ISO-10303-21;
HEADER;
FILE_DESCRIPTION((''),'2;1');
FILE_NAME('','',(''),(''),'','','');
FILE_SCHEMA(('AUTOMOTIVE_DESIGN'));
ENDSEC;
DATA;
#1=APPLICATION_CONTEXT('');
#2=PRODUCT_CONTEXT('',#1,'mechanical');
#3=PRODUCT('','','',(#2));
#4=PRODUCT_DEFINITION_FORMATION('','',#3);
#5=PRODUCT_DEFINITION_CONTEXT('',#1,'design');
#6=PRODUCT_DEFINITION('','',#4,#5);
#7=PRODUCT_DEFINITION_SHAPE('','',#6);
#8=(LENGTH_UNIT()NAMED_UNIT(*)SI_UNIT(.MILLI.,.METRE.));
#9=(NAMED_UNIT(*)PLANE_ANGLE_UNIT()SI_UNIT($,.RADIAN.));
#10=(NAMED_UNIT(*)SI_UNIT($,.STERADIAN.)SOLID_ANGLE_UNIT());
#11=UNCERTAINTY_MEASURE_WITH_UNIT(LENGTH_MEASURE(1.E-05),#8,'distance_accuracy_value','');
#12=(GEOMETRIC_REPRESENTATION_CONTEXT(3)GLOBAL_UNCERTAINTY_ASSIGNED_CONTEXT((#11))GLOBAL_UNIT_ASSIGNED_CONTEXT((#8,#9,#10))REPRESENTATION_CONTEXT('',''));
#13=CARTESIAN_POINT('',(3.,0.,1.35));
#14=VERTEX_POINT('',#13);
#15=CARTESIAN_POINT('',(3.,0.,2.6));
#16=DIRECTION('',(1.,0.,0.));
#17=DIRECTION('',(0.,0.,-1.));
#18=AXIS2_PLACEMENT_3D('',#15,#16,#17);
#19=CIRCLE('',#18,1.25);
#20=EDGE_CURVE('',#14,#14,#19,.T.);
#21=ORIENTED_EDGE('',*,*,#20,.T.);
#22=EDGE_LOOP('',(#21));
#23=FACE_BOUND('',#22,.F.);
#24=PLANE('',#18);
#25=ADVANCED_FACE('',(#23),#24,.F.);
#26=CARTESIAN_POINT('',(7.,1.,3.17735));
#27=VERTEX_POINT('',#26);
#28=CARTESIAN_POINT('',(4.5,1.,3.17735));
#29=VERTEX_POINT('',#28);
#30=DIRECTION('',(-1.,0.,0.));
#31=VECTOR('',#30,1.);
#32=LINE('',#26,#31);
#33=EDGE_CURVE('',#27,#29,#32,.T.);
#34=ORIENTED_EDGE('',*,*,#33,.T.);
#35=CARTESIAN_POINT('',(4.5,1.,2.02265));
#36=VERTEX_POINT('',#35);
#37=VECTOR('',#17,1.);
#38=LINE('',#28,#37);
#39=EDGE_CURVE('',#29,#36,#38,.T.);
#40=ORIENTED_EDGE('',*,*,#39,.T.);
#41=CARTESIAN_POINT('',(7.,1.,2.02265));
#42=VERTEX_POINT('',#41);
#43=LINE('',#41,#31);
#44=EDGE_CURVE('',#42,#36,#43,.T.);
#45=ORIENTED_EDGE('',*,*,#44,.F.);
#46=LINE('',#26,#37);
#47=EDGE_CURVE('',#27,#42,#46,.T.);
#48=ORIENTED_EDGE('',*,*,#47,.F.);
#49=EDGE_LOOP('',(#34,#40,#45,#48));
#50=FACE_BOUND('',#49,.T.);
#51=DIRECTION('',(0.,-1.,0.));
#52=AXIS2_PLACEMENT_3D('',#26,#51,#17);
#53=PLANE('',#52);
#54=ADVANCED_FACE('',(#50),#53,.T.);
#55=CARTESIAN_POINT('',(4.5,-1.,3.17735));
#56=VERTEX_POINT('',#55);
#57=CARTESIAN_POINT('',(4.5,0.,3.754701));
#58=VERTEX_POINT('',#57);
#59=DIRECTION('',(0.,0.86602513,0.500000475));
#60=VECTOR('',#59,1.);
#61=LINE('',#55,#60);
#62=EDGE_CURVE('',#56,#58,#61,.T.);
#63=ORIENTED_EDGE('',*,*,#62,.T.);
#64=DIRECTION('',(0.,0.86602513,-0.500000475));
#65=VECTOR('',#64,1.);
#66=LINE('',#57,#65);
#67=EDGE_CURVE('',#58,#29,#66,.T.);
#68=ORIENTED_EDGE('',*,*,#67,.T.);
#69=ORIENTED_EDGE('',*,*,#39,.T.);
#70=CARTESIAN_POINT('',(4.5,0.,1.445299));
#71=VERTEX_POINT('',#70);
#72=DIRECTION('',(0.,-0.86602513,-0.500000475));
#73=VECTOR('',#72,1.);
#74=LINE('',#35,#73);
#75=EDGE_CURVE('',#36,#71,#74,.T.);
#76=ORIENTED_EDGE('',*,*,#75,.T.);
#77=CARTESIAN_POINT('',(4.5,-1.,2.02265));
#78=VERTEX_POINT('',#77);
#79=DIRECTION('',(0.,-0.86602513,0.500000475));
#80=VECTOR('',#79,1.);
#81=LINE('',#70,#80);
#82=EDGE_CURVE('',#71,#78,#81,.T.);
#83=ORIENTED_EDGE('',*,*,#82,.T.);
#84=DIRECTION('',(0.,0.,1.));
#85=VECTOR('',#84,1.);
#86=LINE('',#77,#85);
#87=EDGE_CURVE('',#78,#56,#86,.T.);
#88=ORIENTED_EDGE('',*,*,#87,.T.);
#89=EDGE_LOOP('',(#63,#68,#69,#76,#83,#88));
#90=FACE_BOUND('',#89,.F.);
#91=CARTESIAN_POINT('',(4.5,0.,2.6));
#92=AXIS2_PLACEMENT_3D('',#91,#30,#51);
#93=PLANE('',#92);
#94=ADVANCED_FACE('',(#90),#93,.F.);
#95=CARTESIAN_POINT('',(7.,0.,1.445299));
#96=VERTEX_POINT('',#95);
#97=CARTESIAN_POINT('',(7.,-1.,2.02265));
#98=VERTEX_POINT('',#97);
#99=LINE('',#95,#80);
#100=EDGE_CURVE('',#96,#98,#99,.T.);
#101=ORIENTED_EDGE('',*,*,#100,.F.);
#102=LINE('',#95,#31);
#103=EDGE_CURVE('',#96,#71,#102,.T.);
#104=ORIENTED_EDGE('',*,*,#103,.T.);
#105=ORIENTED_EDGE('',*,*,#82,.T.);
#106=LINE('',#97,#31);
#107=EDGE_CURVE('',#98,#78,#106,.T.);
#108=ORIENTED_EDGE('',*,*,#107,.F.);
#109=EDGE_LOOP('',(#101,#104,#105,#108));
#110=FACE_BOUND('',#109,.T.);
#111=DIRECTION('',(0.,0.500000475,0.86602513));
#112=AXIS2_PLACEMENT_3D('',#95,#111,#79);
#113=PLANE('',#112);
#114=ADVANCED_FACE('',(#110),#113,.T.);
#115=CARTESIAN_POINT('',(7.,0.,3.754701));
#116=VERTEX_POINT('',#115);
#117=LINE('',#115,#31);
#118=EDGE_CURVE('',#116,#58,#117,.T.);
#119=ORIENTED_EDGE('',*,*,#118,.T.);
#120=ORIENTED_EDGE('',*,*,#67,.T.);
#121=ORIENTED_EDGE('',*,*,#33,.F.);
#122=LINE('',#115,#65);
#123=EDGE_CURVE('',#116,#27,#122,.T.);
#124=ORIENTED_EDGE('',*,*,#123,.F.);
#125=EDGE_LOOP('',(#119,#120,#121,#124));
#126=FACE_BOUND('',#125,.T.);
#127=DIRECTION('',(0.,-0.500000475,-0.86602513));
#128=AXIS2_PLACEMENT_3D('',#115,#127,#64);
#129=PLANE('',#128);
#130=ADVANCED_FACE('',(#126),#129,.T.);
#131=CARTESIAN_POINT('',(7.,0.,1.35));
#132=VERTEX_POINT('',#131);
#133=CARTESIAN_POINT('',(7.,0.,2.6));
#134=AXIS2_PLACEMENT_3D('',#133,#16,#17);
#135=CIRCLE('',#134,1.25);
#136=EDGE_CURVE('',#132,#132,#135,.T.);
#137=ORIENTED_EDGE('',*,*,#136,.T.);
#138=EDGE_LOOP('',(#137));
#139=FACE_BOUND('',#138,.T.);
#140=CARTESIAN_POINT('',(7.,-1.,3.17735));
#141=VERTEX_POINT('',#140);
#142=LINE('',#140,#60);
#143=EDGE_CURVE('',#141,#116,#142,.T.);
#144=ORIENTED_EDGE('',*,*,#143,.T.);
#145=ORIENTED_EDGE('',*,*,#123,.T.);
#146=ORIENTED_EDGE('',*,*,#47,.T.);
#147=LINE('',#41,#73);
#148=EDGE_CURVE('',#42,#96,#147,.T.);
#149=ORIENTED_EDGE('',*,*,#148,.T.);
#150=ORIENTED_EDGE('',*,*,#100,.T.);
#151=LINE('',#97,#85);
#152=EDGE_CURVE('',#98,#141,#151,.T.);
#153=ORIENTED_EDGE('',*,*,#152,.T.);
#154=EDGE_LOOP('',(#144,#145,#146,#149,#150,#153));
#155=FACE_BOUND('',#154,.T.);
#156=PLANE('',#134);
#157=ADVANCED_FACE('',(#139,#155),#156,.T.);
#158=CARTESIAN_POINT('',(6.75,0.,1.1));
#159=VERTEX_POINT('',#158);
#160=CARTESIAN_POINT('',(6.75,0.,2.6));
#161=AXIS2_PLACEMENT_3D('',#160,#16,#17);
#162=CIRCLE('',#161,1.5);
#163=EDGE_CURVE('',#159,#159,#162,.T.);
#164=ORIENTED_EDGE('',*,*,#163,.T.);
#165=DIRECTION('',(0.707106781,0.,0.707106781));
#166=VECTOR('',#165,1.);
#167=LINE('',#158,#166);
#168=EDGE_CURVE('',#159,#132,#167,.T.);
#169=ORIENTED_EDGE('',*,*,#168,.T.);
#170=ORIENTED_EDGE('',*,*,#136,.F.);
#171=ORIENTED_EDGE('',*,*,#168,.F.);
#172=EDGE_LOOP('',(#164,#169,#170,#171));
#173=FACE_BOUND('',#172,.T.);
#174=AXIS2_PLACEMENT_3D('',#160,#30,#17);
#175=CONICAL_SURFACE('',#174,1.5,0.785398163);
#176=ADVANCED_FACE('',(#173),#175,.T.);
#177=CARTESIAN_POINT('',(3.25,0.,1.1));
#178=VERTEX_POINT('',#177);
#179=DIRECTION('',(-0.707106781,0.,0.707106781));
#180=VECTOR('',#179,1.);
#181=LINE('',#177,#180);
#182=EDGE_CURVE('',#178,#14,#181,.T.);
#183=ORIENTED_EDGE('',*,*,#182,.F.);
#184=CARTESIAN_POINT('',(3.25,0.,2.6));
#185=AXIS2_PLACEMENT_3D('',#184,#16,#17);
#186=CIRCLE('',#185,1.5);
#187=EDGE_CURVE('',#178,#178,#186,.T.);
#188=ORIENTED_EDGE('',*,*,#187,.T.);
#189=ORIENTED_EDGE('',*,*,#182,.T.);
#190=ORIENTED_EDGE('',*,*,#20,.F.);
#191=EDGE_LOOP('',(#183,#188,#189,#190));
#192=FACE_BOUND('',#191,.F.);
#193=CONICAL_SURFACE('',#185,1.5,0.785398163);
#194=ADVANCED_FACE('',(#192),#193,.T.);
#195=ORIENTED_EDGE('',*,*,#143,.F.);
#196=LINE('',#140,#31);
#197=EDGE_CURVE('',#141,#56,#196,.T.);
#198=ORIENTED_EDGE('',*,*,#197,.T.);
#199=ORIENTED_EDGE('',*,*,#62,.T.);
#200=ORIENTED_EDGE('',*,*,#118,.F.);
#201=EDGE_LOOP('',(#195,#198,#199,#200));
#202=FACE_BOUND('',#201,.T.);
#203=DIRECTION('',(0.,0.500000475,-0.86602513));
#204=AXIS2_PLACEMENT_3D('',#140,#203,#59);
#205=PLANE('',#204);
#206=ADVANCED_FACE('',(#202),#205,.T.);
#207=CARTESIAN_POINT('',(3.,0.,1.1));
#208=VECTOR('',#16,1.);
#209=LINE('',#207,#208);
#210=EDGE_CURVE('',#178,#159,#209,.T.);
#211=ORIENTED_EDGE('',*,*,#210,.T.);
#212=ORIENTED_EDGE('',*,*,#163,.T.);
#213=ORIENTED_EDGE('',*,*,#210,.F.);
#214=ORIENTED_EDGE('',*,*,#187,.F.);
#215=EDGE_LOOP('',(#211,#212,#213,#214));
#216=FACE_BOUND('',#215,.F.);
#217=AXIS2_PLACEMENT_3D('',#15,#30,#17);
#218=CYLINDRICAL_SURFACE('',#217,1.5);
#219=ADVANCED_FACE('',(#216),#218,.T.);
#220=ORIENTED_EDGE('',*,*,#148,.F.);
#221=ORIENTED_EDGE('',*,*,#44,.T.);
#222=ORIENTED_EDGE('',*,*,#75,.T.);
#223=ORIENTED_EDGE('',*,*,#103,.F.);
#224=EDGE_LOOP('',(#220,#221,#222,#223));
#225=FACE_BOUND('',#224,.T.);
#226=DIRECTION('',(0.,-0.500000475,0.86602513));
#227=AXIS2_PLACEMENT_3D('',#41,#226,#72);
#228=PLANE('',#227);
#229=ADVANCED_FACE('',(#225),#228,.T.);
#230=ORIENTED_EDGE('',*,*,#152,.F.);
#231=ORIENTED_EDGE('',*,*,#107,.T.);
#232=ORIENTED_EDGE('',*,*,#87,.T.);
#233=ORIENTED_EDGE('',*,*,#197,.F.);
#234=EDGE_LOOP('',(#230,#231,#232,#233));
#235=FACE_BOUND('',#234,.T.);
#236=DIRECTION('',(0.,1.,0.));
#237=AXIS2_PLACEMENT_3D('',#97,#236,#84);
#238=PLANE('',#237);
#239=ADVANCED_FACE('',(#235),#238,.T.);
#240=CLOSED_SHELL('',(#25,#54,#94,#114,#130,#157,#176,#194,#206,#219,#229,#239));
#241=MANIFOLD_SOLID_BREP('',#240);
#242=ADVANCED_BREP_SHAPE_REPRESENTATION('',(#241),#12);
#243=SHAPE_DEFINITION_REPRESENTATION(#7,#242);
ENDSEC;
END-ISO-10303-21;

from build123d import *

# Parameters (mm, degrees)
CYLINDER006_R     = 1.5
CYLINDER006_DEPTH = 4
CHAMFER002_SIZE   = 0.25
POCKET_DEPTH      = 2.5


with BuildPart() as part:
    # Cylinder006 → Cylinder006 (new body)
    with BuildSketch(Plane(origin=(3, 0, 2.6), x_dir=(0, 0, -1), z_dir=(1, 0, 0))):
        Circle(CYLINDER006_R)
    extrude(amount=CYLINDER006_DEPTH)

    # Chamfer002
    chamfer002_edges = [part.edges().sort_by_distance(p)[0] for p in [
        (7, 0, 4.1),
        (3, 0, 4.1),
    ]]
    chamfer(chamfer002_edges, length=CHAMFER002_SIZE)

    # Sketch (on Face5 of Chamfer002) → Pocket (cut)
    with BuildSketch(Plane.YZ.offset(7)):
        Polygon((-1, 3.17735), (0, 3.754701), (1, 3.17735), (1, 2.02265), (0, 1.445299), (-1, 2.02265), align=None)
    extrude(amount=-POCKET_DEPTH, mode=Mode.SUBTRACT)


solid = part.part
